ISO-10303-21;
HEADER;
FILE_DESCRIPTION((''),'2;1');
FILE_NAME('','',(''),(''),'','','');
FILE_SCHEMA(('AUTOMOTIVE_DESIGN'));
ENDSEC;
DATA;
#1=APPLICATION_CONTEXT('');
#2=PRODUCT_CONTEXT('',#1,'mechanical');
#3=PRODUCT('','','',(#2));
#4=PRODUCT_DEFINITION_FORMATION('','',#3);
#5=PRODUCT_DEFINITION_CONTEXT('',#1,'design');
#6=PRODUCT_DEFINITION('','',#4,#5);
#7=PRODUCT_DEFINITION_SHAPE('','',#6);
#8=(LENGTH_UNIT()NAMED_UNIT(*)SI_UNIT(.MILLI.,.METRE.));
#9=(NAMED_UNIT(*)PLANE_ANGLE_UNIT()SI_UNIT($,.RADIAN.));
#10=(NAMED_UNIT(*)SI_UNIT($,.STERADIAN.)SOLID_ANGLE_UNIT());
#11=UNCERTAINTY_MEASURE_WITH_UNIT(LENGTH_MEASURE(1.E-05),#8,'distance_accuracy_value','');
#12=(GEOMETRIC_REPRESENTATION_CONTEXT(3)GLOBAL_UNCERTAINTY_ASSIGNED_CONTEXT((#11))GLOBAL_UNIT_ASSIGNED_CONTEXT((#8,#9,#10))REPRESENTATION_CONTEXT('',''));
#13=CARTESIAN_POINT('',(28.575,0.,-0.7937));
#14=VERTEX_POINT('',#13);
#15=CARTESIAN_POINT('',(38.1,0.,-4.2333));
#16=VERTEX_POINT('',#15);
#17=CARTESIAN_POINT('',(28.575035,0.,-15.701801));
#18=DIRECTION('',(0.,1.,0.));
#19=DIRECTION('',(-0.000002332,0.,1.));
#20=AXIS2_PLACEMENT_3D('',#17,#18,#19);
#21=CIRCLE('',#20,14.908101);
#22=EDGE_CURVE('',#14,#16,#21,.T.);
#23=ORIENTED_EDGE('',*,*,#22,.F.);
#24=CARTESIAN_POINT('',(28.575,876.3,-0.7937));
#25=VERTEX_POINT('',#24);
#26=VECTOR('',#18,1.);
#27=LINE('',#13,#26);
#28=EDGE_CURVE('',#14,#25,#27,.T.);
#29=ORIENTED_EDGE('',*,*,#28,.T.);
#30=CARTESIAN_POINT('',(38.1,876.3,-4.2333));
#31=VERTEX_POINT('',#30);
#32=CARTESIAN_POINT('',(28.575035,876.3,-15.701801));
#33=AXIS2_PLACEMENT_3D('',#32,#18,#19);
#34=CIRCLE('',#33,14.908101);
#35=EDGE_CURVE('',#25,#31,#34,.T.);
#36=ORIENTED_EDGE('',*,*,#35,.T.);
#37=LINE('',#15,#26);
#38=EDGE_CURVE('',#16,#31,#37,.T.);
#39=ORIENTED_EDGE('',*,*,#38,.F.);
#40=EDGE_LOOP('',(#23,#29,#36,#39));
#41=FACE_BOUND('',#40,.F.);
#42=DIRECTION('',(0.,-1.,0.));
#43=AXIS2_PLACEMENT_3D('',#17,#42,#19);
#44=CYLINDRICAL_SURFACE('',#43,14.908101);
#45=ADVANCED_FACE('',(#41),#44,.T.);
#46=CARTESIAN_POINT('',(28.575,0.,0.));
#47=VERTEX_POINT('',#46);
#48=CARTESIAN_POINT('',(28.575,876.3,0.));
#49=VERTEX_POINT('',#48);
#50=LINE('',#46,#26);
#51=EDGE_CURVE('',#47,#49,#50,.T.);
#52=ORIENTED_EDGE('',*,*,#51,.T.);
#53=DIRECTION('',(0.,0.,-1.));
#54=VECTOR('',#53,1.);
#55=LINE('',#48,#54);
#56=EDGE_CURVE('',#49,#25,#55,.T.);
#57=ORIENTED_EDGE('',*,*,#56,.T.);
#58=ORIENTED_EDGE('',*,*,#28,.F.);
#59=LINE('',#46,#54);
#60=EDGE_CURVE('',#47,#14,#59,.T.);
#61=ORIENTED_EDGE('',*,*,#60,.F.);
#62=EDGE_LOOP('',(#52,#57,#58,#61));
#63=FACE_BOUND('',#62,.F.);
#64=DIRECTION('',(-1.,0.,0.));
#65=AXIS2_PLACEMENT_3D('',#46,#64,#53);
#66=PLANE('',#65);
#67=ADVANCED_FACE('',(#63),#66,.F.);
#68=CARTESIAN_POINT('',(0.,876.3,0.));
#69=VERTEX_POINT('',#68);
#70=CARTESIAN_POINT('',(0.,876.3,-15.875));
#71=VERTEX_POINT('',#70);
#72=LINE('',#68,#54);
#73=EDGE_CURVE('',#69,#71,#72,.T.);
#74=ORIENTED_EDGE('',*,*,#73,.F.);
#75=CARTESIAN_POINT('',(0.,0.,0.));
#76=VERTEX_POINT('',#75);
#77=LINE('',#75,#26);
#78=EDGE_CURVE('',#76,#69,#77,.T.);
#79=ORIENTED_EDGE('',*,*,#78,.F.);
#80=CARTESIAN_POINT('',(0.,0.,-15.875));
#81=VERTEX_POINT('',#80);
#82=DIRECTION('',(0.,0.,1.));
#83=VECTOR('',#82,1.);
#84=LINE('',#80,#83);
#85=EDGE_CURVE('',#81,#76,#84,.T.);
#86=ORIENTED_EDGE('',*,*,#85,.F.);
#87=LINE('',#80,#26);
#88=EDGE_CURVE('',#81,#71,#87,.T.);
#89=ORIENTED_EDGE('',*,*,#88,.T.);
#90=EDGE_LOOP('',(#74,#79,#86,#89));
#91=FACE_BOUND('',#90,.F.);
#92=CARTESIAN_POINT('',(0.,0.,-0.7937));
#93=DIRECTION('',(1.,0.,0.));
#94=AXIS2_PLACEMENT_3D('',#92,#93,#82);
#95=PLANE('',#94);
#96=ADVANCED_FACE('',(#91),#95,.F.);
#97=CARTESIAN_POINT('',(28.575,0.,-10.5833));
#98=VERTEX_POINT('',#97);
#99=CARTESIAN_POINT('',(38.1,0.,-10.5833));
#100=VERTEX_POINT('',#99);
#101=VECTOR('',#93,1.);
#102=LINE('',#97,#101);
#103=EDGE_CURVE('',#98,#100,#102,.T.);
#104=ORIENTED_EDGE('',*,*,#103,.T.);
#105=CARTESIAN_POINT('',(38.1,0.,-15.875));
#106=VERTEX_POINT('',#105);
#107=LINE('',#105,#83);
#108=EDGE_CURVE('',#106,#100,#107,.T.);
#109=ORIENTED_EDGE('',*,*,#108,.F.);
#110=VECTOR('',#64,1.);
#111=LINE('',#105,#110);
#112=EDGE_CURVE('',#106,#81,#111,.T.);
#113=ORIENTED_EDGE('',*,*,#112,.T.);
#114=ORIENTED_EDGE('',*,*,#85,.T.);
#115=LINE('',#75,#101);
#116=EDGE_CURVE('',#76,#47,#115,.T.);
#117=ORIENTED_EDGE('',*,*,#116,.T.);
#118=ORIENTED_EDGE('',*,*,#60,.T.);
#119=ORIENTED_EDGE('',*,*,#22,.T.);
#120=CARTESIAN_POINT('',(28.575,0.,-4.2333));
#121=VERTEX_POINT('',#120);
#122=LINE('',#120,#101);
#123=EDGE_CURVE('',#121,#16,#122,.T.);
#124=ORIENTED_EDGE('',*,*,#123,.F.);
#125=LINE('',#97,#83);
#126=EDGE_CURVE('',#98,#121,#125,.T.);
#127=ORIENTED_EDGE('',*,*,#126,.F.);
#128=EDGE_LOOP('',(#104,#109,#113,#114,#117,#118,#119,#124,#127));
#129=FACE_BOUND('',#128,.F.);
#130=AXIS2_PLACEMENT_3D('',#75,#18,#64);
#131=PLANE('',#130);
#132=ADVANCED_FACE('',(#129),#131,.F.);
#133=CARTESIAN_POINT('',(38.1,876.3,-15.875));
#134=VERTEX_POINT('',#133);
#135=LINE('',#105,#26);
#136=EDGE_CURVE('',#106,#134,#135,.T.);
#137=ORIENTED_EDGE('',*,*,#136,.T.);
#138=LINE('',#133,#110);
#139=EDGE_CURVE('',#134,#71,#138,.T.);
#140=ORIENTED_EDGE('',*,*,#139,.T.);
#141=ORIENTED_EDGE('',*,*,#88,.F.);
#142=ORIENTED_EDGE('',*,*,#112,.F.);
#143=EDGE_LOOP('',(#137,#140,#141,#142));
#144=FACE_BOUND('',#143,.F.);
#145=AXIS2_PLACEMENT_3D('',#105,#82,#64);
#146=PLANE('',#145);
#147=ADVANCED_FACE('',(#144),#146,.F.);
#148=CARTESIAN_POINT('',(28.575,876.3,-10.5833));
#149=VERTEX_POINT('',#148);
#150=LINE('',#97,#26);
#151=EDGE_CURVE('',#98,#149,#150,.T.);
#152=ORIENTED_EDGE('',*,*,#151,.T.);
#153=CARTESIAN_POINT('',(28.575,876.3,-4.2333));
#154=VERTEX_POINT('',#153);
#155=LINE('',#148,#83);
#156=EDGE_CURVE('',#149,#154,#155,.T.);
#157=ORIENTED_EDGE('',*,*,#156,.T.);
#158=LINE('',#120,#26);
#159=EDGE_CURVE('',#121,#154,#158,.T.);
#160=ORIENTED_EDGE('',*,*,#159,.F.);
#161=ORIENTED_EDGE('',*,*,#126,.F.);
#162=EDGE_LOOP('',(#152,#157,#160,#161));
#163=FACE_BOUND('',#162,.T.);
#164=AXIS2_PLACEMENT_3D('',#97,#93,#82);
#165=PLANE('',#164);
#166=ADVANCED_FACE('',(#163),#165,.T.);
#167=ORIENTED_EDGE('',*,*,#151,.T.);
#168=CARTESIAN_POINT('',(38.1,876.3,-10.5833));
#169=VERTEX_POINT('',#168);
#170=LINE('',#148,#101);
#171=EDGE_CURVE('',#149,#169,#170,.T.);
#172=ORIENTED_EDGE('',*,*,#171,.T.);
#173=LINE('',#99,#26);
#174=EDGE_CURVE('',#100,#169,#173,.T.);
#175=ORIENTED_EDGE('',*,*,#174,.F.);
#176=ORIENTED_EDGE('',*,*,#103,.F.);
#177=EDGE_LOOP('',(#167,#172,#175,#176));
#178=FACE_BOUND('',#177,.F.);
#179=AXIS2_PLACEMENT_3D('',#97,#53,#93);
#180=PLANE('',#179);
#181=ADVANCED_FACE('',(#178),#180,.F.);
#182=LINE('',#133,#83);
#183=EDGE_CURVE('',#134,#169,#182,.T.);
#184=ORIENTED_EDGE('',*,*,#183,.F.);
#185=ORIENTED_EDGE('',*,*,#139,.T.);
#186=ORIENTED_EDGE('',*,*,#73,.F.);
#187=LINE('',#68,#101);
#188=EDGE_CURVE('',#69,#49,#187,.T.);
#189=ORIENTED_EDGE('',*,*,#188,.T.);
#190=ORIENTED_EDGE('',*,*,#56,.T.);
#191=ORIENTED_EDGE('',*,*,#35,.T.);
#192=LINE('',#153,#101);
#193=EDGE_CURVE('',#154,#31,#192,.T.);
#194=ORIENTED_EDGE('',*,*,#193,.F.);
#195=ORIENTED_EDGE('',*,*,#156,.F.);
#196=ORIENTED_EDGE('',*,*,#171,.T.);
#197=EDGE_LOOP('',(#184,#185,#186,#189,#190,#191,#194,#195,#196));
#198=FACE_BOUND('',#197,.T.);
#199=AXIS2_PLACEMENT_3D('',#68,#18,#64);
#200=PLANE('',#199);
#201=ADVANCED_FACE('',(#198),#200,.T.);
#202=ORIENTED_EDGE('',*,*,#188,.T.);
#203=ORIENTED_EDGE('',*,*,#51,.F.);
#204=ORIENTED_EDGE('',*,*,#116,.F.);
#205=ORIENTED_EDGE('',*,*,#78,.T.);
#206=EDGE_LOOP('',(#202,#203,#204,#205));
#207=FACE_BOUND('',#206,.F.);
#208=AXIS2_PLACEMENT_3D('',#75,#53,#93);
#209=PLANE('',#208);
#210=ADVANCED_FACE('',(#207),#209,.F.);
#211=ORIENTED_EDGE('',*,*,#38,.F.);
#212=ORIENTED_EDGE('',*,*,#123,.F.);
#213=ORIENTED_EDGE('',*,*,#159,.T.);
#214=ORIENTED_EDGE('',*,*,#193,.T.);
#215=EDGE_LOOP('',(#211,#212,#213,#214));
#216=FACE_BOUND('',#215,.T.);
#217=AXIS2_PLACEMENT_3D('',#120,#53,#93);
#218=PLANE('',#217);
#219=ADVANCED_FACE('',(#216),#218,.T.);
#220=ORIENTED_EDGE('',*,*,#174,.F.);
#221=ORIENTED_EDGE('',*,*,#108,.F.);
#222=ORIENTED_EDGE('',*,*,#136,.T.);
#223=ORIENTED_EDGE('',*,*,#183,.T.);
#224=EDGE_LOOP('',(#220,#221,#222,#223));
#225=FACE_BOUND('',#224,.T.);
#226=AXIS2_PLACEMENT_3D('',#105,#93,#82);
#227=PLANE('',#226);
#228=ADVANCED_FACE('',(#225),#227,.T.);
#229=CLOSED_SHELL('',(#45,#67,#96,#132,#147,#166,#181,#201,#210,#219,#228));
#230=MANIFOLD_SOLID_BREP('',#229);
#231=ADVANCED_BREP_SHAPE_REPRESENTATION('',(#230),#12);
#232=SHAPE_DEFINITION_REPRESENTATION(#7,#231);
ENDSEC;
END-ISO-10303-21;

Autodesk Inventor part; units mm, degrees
ref_plane "YZ Plane" through (0, 0, 0) normal (1, 0, 0) x (0, 1, 0)
ref_plane "XZ Plane" through (0, 0, 0) normal (0, 1, 0) x (-1, 0, 0)
ref_plane "XY Plane" through (0, 0, 0) normal (0, 0, 1) x (1, 0, 0)
sketch "Sketch1" plane through (0, 0, 0) normal (0, 1, 0) x (-1, 0, 0)
  line L0 (0, 0) -> (-32.8112, 0)
  line L1 (-38.1, -15.875) -> (0, -15.875)
  line L2 (0, -15.875) -> (0, 0)
  line L3 (0, -15.875) -> (-38.1, -15.875)
  line L4 (-38.1, -15.875) -> (-38.1, -10.5833)
  line L5 (0, -17.5053) -> (0, -15.875)
  line L6 (-28.575, -10.5833) -> (-28.575, -4.2333)
  line L7 (0, -12.2137) -> (0, -17.5053)
  line L8 (-28.575, -4.2333) -> (-38.1, -4.2333)
  line L9 (-38.1, -10.5833) -> (-38.1, -15.875)
  line L10 (-28.575, -10.5833) -> (-38.1, -10.5833)
  line L11 (0, 0) -> (-28.575, 0)
  line L12 (-28.575, 0) -> (-28.575, -0.7937)
  line L13 (-28.575, -0.7937) -> (0, -0.7937)
  line L14 (0, -0.7937) -> (0, 0)
  arc A0 (-28.575, -0.7937) -> (-38.1, -4.2333) centre (-28.575, -15.702) ccw
  dimension "d0" = 38.1
  dimension "d5" = 9.525
  dimension "d6" = 0.7937
  dimension "d10" = 9.525
  dimension "d11" = 28.575
  dimension "d13" = 15.875
  dimension "d14" = 14.9083
  dimension "d15" = 6.35
extrude "Extrusion1" add sketch "Sketch1" along normal blind 876.3
equation "\"d5\" = d10"
properties part number "Cabinet Moulding Long"
